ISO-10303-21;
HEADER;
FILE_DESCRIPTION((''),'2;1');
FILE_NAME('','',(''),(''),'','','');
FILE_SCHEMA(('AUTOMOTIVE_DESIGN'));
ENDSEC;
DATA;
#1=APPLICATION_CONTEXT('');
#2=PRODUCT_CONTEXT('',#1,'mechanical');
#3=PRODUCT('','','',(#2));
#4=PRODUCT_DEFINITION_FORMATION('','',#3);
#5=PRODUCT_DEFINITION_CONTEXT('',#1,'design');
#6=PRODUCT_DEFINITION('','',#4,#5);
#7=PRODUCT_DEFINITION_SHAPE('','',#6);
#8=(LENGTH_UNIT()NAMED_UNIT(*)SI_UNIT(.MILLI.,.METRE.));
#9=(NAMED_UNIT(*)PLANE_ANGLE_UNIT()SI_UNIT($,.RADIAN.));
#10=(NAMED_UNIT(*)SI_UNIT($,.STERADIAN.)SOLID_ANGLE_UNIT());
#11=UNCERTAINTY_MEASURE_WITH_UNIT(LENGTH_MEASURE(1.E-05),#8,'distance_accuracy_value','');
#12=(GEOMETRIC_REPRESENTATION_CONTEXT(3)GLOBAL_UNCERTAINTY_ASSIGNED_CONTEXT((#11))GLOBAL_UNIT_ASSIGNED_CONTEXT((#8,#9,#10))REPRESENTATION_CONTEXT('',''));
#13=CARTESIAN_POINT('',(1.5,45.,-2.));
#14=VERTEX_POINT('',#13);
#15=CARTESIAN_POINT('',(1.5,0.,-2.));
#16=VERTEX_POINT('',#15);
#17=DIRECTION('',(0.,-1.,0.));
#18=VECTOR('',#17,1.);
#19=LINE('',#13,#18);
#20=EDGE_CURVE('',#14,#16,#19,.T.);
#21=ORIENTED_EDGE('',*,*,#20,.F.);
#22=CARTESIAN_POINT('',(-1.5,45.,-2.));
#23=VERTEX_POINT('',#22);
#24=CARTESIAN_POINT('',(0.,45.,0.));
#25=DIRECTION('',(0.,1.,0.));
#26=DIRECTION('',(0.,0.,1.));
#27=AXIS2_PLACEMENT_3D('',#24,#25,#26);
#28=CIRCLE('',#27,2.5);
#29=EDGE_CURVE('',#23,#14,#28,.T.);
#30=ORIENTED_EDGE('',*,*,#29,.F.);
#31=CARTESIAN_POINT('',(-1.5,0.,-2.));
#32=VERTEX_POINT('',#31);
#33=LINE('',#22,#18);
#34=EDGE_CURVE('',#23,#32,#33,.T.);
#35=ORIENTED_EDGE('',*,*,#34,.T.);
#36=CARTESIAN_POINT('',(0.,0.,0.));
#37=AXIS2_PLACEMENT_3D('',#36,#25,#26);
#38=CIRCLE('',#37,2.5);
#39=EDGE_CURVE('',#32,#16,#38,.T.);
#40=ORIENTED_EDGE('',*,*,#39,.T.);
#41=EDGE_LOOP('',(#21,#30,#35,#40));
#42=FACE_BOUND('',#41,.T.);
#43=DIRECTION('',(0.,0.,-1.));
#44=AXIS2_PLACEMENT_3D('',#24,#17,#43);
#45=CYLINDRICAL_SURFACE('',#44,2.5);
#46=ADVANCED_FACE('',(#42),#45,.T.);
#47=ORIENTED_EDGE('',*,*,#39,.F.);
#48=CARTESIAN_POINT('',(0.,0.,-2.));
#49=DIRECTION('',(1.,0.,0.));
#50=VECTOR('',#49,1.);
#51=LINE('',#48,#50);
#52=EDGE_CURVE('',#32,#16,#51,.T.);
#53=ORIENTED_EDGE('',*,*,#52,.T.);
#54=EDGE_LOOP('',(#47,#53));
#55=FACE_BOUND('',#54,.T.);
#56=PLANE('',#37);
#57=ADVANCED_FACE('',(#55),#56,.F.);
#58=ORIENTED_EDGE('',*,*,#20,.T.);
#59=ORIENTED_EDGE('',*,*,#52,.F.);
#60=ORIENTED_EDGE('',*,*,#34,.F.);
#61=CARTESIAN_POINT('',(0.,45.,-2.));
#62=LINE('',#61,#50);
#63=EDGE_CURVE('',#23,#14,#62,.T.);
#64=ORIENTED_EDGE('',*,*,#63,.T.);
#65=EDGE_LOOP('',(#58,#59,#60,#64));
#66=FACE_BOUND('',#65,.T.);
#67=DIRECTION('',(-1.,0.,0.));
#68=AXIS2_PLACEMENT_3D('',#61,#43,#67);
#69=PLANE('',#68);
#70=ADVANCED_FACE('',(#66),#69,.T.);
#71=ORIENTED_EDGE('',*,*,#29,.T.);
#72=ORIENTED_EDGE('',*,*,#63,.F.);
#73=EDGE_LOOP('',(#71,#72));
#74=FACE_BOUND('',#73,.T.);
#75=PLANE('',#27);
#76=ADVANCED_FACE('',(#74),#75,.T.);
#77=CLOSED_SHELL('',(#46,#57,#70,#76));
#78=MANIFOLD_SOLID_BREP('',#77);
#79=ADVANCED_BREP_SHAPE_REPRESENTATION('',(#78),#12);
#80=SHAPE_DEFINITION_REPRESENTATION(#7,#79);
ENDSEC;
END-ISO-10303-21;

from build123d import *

# Parameters (mm, degrees)
EXTRUDE_1_DEPTH = 45


with BuildPart() as part:
    # 草图1 → 凸台-拉伸1 (new body)
    with BuildSketch(Plane(origin=(0, 0, 0), x_dir=(1, 0, 0), z_dir=(0, 1, 0))):
        with BuildLine():
            Line((0, 2), (-1.5, 2))
            ThreePointArc((-1.5, 2), (-2.371708245, -0.790569415), (0, -2.5))
            Line((0, -2.5), (0, 2))
        make_face()
        with BuildLine():
            Line((1.5, 2), (0, 2))
            Line((0, 2), (0, -2.5))
            ThreePointArc((0, -2.5), (1.767766953, -1.767766953), (2.5, 0))
            ThreePointArc((2.5, 0), (2.236067977, 1.118033989), (1.5, 2))
        make_face()
    extrude(amount=EXTRUDE_1_DEPTH)


solid = part.part
